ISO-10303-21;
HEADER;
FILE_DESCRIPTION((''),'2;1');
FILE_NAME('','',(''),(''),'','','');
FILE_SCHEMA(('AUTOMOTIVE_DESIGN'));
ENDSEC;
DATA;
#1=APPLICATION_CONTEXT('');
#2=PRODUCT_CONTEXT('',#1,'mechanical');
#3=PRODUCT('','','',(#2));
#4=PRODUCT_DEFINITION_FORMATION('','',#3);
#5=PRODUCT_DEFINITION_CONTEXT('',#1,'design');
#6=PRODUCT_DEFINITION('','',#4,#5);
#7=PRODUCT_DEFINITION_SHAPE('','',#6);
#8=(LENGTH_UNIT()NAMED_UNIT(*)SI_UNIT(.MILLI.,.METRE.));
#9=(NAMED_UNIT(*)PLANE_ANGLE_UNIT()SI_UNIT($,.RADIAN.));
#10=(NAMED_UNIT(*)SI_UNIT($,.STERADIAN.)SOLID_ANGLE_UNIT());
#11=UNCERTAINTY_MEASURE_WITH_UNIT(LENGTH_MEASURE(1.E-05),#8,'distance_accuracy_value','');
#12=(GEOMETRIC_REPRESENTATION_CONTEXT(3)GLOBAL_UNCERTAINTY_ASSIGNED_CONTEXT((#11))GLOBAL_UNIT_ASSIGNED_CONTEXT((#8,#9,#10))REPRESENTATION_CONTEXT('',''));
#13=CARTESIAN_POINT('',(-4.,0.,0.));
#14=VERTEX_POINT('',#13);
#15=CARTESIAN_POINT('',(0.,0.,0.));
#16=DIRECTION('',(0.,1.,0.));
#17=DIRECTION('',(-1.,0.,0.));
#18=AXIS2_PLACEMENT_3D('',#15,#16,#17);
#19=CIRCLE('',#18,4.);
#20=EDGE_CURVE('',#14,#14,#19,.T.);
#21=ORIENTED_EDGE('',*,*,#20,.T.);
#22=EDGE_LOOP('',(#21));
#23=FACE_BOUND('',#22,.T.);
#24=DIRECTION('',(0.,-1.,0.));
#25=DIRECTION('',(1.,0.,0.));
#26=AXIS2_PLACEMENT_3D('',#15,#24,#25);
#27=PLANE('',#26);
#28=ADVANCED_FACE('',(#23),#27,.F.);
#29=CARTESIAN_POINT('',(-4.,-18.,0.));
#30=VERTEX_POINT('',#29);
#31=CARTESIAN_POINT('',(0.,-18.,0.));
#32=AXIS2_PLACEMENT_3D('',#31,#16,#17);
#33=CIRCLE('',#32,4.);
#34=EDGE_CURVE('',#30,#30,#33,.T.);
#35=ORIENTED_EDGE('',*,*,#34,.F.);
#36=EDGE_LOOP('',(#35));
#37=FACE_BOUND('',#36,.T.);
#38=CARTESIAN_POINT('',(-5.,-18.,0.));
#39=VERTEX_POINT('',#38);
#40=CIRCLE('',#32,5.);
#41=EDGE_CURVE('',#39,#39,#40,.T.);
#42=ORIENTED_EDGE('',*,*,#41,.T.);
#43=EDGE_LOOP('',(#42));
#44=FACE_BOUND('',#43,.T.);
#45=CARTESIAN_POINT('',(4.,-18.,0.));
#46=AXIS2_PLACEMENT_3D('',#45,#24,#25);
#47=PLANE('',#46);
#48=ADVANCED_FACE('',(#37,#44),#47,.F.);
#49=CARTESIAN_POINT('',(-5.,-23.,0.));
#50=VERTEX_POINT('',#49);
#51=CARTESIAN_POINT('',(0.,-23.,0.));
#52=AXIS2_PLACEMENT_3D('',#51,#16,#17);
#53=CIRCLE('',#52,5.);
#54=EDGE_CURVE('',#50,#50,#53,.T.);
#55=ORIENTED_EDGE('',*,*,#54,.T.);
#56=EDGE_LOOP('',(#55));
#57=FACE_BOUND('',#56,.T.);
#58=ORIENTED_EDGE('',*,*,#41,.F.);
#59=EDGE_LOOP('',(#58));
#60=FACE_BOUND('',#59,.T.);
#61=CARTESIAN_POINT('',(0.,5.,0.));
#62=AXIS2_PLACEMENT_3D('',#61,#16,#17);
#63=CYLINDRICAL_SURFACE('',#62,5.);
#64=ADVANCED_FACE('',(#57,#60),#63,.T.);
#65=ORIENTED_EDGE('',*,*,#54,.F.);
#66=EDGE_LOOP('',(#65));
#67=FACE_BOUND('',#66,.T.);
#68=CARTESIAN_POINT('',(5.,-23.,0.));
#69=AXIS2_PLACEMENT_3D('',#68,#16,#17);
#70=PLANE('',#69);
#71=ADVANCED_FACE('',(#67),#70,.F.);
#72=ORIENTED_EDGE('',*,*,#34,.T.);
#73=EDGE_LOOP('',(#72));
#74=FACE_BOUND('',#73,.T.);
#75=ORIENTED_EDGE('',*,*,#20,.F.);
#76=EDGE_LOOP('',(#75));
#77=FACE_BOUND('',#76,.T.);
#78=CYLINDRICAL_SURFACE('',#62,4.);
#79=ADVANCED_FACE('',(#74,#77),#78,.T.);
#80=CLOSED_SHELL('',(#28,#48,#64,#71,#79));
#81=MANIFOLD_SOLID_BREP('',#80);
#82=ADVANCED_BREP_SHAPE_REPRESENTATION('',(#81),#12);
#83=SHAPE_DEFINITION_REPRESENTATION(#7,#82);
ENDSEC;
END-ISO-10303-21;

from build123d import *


with BuildPart() as part:
    # Sketch1 → Revolve1 (revolve)
    with BuildSketch(Plane.XY, mode=Mode.PRIVATE) as revolve1_sk:
        Polygon((0, 0), (4, 0), (4, -18), (5, -18), (5, -23), (0, -23), align=None)
    revolve(revolve1_sk.sketch.rotate(Axis((0, 5, 0), (0, -1, 0)), 180), axis=Axis((0, 5, 0), (0, -1, 0)))


solid = part.part
